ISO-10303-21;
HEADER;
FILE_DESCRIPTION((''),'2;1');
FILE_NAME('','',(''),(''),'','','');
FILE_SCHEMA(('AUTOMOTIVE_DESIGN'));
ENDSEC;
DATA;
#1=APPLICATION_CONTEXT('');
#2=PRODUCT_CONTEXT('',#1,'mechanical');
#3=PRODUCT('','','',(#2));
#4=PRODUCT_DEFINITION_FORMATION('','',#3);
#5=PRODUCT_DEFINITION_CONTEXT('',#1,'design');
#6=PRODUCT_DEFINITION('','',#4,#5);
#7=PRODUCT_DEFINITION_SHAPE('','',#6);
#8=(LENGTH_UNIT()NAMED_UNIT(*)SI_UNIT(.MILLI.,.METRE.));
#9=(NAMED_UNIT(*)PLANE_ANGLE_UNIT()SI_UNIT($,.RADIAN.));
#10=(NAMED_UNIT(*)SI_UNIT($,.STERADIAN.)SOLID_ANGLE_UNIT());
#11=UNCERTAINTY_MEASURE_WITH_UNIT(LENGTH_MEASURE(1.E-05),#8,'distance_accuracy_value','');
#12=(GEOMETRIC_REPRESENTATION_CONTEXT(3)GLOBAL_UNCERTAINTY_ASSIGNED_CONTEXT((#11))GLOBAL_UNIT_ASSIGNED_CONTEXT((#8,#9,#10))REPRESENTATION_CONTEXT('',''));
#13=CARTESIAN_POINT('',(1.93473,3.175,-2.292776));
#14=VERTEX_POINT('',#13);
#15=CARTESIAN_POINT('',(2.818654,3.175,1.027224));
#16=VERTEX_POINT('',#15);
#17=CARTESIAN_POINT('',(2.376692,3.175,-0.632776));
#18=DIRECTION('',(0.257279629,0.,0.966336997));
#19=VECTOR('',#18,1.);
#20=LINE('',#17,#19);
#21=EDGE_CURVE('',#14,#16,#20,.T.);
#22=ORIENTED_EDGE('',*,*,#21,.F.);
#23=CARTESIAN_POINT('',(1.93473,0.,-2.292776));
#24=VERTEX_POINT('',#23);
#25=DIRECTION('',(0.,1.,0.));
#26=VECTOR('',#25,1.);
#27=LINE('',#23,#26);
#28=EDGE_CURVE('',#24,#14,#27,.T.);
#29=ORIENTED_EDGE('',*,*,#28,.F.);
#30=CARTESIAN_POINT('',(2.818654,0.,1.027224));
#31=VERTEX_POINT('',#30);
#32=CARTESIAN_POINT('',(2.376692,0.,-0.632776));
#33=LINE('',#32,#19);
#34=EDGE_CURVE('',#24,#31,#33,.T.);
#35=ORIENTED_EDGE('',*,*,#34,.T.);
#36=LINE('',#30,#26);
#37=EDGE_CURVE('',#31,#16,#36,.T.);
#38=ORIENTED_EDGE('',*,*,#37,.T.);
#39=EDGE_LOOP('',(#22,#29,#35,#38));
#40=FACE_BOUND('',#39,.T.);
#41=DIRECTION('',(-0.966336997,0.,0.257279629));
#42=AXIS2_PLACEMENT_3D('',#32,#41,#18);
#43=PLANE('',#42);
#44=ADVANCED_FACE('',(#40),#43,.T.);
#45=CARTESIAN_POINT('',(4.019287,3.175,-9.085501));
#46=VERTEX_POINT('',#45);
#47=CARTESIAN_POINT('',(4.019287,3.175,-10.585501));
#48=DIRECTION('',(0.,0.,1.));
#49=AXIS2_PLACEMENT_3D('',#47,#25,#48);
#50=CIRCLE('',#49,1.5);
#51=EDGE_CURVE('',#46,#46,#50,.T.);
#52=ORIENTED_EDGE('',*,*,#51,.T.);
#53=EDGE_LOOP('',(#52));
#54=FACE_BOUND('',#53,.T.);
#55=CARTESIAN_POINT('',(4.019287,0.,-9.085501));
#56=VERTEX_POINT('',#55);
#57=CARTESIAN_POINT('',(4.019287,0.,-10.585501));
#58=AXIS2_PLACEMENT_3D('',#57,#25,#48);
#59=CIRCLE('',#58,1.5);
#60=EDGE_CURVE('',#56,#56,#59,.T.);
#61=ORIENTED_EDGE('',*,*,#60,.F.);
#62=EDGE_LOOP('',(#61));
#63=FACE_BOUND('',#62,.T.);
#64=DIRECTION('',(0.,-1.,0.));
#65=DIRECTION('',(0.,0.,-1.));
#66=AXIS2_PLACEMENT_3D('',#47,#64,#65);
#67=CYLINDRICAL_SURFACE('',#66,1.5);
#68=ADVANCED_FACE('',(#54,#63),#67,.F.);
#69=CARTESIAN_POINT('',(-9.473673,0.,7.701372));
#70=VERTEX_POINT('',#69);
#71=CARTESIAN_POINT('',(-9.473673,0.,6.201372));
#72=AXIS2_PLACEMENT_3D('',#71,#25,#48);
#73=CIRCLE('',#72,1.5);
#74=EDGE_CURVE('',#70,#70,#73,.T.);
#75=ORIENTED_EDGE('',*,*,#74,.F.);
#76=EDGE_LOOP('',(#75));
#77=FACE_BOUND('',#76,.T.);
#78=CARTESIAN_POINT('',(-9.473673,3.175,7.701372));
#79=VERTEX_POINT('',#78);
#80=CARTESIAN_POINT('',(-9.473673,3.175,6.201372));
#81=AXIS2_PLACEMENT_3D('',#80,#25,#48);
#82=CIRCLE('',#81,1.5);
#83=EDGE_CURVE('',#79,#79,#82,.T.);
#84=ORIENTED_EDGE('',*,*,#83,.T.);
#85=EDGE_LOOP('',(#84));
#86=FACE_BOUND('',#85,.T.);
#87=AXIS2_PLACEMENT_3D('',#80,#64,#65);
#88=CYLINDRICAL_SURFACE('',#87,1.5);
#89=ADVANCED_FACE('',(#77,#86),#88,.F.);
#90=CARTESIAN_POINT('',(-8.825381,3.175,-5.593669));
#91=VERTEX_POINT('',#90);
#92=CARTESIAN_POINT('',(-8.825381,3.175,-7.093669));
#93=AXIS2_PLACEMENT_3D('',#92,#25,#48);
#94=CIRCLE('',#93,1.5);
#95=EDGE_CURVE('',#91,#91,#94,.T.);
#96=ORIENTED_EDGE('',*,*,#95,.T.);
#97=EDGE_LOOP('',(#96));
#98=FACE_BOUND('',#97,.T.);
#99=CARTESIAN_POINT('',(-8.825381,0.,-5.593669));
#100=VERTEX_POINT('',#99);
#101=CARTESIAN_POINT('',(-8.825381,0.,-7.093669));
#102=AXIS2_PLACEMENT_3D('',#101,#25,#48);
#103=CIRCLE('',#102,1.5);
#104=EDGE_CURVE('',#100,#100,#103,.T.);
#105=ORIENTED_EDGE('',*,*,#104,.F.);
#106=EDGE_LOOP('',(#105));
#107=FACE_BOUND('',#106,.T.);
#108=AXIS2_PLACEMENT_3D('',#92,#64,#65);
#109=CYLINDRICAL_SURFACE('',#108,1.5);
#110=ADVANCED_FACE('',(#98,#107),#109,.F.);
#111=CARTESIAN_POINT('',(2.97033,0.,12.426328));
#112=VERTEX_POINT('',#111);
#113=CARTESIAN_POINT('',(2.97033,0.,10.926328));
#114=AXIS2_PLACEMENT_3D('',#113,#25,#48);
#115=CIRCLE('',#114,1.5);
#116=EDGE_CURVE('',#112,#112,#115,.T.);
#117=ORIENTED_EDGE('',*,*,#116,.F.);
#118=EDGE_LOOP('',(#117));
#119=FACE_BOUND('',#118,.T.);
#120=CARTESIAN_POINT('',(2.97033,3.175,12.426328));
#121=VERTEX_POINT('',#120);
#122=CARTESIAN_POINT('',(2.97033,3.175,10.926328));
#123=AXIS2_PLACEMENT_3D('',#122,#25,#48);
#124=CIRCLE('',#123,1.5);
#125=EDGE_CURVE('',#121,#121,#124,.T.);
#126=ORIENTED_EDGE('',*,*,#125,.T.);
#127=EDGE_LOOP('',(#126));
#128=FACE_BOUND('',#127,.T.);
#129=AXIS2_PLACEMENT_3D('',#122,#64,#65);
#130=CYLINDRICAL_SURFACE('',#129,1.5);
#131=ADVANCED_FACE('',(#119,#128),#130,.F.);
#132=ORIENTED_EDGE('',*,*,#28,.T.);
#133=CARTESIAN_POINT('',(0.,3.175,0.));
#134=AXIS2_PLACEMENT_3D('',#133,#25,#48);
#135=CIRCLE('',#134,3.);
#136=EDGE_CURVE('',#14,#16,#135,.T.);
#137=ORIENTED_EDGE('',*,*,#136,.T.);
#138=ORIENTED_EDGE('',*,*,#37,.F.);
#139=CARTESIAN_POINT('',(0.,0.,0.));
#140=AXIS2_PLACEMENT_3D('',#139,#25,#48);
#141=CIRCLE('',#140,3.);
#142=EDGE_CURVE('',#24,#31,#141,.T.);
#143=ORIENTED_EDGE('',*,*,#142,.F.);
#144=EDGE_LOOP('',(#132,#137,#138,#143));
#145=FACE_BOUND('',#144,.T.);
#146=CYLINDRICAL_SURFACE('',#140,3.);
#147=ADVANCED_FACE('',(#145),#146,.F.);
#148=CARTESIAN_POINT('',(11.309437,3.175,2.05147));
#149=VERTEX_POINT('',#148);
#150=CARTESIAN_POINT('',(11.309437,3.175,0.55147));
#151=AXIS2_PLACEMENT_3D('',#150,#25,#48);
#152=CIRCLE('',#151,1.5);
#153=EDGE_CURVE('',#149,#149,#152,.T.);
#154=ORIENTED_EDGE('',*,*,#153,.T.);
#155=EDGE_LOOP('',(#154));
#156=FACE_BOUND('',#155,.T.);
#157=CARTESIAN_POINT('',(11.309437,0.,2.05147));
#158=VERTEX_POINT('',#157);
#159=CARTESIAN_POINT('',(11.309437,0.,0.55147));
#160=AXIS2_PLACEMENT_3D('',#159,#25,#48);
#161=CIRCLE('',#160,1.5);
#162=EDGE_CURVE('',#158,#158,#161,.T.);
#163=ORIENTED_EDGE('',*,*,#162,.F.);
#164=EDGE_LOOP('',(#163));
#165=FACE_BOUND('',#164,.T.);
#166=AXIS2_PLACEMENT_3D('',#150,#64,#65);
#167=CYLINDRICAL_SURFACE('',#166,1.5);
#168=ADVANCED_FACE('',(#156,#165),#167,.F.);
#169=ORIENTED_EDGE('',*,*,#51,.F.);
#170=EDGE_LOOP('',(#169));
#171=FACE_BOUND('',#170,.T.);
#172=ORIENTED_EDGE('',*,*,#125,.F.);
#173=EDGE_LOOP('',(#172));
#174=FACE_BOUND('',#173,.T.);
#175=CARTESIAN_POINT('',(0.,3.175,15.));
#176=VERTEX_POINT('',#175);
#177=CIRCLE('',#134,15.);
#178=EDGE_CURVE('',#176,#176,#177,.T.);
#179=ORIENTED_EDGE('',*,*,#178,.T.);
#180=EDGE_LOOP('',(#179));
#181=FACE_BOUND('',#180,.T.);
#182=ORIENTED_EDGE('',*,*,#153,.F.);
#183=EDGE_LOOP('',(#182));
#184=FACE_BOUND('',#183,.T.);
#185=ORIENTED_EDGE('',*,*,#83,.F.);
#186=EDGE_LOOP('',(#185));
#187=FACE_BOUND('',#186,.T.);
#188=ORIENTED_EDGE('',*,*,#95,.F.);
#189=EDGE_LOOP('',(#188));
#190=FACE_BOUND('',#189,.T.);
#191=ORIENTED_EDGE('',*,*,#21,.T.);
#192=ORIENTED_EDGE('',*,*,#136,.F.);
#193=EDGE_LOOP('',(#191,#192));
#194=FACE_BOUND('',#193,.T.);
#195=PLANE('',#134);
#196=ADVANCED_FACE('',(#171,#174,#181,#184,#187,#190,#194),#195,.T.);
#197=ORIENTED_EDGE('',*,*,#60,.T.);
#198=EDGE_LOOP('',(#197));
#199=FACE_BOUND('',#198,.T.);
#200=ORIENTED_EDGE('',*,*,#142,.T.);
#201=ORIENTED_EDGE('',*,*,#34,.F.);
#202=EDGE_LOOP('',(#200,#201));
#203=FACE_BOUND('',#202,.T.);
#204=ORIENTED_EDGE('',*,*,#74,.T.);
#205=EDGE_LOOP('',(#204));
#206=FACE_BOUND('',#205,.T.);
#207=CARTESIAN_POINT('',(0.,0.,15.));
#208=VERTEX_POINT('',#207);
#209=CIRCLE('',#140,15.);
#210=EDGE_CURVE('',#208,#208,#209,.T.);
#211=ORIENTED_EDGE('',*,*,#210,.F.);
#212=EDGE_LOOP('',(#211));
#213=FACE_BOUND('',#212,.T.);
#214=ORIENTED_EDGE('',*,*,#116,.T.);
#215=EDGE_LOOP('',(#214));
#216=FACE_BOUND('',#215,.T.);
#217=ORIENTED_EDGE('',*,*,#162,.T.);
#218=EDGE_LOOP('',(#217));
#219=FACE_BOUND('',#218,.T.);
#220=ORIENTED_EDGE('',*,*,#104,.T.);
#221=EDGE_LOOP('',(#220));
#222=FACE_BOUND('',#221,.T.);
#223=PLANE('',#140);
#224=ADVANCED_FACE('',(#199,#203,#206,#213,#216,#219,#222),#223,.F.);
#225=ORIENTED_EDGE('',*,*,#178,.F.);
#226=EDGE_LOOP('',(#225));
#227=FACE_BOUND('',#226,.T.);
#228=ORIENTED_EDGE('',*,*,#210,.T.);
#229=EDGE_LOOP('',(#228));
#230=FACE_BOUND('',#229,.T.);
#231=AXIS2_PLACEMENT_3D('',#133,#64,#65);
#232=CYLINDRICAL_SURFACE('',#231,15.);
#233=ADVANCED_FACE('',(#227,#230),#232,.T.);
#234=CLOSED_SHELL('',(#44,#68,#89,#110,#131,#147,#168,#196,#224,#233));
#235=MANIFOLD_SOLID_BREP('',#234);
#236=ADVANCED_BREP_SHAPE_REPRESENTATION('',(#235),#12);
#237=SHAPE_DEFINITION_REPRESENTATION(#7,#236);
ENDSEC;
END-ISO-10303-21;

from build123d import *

# Parameters (mm, degrees)
SKETCH1_R           = 15
SKETCH1_R_2         = 1.5
BOSS_EXTRUDE1_DEPTH = 3.175
CUT_EXTRUDE1_DEPTH  = 3.175


with BuildPart() as part:
    # Sketch1 → Boss-Extrude1 (new body)
    with BuildSketch(Plane(origin=(0, 0, 0), x_dir=(1, 0, 0), z_dir=(0, 1, 0))):
        with Locations(Location((0, 0, 0), (0, 0, 270))):
            Circle(SKETCH1_R)
        with Locations(Location((-8.825381331, 7.093668739, 0), (0, 0, 270))):
            Circle(SKETCH1_R_2, mode=Mode.SUBTRACT)
        with Locations(Location((4.019287066, 10.585500617, 0), (0, 0, 270))):
            Circle(SKETCH1_R_2, mode=Mode.SUBTRACT)
        with Locations(Location((11.309437348, -0.55146957, 0), (0, 0, 270))):
            Circle(SKETCH1_R_2, mode=Mode.SUBTRACT)
        with Locations(Location((2.970329609, -10.926327555, 0), (0, 0, 270))):
            Circle(SKETCH1_R_2, mode=Mode.SUBTRACT)
        with Locations(Location((-9.473672692, -6.201372231, 0), (0, 0, 270))):
            Circle(SKETCH1_R_2, mode=Mode.SUBTRACT)
    extrude(amount=BOSS_EXTRUDE1_DEPTH)

    # Sketch2 → Cut-Extrude1 (cut)
    with BuildSketch(Plane(origin=(0, 3.175, 0), x_dir=(1, 0, 0), z_dir=(0, 1, 0))):
        with BuildLine():
            Line((2.818653923, -1.027224446), (1.934730022, 2.292775554))
            ThreePointArc((1.934730022, 2.292775554), (-2.899010992, -0.771838887), (2.818653923, -1.027224446))
        make_face()
    extrude(amount=-CUT_EXTRUDE1_DEPTH, mode=Mode.SUBTRACT)


solid = part.part
